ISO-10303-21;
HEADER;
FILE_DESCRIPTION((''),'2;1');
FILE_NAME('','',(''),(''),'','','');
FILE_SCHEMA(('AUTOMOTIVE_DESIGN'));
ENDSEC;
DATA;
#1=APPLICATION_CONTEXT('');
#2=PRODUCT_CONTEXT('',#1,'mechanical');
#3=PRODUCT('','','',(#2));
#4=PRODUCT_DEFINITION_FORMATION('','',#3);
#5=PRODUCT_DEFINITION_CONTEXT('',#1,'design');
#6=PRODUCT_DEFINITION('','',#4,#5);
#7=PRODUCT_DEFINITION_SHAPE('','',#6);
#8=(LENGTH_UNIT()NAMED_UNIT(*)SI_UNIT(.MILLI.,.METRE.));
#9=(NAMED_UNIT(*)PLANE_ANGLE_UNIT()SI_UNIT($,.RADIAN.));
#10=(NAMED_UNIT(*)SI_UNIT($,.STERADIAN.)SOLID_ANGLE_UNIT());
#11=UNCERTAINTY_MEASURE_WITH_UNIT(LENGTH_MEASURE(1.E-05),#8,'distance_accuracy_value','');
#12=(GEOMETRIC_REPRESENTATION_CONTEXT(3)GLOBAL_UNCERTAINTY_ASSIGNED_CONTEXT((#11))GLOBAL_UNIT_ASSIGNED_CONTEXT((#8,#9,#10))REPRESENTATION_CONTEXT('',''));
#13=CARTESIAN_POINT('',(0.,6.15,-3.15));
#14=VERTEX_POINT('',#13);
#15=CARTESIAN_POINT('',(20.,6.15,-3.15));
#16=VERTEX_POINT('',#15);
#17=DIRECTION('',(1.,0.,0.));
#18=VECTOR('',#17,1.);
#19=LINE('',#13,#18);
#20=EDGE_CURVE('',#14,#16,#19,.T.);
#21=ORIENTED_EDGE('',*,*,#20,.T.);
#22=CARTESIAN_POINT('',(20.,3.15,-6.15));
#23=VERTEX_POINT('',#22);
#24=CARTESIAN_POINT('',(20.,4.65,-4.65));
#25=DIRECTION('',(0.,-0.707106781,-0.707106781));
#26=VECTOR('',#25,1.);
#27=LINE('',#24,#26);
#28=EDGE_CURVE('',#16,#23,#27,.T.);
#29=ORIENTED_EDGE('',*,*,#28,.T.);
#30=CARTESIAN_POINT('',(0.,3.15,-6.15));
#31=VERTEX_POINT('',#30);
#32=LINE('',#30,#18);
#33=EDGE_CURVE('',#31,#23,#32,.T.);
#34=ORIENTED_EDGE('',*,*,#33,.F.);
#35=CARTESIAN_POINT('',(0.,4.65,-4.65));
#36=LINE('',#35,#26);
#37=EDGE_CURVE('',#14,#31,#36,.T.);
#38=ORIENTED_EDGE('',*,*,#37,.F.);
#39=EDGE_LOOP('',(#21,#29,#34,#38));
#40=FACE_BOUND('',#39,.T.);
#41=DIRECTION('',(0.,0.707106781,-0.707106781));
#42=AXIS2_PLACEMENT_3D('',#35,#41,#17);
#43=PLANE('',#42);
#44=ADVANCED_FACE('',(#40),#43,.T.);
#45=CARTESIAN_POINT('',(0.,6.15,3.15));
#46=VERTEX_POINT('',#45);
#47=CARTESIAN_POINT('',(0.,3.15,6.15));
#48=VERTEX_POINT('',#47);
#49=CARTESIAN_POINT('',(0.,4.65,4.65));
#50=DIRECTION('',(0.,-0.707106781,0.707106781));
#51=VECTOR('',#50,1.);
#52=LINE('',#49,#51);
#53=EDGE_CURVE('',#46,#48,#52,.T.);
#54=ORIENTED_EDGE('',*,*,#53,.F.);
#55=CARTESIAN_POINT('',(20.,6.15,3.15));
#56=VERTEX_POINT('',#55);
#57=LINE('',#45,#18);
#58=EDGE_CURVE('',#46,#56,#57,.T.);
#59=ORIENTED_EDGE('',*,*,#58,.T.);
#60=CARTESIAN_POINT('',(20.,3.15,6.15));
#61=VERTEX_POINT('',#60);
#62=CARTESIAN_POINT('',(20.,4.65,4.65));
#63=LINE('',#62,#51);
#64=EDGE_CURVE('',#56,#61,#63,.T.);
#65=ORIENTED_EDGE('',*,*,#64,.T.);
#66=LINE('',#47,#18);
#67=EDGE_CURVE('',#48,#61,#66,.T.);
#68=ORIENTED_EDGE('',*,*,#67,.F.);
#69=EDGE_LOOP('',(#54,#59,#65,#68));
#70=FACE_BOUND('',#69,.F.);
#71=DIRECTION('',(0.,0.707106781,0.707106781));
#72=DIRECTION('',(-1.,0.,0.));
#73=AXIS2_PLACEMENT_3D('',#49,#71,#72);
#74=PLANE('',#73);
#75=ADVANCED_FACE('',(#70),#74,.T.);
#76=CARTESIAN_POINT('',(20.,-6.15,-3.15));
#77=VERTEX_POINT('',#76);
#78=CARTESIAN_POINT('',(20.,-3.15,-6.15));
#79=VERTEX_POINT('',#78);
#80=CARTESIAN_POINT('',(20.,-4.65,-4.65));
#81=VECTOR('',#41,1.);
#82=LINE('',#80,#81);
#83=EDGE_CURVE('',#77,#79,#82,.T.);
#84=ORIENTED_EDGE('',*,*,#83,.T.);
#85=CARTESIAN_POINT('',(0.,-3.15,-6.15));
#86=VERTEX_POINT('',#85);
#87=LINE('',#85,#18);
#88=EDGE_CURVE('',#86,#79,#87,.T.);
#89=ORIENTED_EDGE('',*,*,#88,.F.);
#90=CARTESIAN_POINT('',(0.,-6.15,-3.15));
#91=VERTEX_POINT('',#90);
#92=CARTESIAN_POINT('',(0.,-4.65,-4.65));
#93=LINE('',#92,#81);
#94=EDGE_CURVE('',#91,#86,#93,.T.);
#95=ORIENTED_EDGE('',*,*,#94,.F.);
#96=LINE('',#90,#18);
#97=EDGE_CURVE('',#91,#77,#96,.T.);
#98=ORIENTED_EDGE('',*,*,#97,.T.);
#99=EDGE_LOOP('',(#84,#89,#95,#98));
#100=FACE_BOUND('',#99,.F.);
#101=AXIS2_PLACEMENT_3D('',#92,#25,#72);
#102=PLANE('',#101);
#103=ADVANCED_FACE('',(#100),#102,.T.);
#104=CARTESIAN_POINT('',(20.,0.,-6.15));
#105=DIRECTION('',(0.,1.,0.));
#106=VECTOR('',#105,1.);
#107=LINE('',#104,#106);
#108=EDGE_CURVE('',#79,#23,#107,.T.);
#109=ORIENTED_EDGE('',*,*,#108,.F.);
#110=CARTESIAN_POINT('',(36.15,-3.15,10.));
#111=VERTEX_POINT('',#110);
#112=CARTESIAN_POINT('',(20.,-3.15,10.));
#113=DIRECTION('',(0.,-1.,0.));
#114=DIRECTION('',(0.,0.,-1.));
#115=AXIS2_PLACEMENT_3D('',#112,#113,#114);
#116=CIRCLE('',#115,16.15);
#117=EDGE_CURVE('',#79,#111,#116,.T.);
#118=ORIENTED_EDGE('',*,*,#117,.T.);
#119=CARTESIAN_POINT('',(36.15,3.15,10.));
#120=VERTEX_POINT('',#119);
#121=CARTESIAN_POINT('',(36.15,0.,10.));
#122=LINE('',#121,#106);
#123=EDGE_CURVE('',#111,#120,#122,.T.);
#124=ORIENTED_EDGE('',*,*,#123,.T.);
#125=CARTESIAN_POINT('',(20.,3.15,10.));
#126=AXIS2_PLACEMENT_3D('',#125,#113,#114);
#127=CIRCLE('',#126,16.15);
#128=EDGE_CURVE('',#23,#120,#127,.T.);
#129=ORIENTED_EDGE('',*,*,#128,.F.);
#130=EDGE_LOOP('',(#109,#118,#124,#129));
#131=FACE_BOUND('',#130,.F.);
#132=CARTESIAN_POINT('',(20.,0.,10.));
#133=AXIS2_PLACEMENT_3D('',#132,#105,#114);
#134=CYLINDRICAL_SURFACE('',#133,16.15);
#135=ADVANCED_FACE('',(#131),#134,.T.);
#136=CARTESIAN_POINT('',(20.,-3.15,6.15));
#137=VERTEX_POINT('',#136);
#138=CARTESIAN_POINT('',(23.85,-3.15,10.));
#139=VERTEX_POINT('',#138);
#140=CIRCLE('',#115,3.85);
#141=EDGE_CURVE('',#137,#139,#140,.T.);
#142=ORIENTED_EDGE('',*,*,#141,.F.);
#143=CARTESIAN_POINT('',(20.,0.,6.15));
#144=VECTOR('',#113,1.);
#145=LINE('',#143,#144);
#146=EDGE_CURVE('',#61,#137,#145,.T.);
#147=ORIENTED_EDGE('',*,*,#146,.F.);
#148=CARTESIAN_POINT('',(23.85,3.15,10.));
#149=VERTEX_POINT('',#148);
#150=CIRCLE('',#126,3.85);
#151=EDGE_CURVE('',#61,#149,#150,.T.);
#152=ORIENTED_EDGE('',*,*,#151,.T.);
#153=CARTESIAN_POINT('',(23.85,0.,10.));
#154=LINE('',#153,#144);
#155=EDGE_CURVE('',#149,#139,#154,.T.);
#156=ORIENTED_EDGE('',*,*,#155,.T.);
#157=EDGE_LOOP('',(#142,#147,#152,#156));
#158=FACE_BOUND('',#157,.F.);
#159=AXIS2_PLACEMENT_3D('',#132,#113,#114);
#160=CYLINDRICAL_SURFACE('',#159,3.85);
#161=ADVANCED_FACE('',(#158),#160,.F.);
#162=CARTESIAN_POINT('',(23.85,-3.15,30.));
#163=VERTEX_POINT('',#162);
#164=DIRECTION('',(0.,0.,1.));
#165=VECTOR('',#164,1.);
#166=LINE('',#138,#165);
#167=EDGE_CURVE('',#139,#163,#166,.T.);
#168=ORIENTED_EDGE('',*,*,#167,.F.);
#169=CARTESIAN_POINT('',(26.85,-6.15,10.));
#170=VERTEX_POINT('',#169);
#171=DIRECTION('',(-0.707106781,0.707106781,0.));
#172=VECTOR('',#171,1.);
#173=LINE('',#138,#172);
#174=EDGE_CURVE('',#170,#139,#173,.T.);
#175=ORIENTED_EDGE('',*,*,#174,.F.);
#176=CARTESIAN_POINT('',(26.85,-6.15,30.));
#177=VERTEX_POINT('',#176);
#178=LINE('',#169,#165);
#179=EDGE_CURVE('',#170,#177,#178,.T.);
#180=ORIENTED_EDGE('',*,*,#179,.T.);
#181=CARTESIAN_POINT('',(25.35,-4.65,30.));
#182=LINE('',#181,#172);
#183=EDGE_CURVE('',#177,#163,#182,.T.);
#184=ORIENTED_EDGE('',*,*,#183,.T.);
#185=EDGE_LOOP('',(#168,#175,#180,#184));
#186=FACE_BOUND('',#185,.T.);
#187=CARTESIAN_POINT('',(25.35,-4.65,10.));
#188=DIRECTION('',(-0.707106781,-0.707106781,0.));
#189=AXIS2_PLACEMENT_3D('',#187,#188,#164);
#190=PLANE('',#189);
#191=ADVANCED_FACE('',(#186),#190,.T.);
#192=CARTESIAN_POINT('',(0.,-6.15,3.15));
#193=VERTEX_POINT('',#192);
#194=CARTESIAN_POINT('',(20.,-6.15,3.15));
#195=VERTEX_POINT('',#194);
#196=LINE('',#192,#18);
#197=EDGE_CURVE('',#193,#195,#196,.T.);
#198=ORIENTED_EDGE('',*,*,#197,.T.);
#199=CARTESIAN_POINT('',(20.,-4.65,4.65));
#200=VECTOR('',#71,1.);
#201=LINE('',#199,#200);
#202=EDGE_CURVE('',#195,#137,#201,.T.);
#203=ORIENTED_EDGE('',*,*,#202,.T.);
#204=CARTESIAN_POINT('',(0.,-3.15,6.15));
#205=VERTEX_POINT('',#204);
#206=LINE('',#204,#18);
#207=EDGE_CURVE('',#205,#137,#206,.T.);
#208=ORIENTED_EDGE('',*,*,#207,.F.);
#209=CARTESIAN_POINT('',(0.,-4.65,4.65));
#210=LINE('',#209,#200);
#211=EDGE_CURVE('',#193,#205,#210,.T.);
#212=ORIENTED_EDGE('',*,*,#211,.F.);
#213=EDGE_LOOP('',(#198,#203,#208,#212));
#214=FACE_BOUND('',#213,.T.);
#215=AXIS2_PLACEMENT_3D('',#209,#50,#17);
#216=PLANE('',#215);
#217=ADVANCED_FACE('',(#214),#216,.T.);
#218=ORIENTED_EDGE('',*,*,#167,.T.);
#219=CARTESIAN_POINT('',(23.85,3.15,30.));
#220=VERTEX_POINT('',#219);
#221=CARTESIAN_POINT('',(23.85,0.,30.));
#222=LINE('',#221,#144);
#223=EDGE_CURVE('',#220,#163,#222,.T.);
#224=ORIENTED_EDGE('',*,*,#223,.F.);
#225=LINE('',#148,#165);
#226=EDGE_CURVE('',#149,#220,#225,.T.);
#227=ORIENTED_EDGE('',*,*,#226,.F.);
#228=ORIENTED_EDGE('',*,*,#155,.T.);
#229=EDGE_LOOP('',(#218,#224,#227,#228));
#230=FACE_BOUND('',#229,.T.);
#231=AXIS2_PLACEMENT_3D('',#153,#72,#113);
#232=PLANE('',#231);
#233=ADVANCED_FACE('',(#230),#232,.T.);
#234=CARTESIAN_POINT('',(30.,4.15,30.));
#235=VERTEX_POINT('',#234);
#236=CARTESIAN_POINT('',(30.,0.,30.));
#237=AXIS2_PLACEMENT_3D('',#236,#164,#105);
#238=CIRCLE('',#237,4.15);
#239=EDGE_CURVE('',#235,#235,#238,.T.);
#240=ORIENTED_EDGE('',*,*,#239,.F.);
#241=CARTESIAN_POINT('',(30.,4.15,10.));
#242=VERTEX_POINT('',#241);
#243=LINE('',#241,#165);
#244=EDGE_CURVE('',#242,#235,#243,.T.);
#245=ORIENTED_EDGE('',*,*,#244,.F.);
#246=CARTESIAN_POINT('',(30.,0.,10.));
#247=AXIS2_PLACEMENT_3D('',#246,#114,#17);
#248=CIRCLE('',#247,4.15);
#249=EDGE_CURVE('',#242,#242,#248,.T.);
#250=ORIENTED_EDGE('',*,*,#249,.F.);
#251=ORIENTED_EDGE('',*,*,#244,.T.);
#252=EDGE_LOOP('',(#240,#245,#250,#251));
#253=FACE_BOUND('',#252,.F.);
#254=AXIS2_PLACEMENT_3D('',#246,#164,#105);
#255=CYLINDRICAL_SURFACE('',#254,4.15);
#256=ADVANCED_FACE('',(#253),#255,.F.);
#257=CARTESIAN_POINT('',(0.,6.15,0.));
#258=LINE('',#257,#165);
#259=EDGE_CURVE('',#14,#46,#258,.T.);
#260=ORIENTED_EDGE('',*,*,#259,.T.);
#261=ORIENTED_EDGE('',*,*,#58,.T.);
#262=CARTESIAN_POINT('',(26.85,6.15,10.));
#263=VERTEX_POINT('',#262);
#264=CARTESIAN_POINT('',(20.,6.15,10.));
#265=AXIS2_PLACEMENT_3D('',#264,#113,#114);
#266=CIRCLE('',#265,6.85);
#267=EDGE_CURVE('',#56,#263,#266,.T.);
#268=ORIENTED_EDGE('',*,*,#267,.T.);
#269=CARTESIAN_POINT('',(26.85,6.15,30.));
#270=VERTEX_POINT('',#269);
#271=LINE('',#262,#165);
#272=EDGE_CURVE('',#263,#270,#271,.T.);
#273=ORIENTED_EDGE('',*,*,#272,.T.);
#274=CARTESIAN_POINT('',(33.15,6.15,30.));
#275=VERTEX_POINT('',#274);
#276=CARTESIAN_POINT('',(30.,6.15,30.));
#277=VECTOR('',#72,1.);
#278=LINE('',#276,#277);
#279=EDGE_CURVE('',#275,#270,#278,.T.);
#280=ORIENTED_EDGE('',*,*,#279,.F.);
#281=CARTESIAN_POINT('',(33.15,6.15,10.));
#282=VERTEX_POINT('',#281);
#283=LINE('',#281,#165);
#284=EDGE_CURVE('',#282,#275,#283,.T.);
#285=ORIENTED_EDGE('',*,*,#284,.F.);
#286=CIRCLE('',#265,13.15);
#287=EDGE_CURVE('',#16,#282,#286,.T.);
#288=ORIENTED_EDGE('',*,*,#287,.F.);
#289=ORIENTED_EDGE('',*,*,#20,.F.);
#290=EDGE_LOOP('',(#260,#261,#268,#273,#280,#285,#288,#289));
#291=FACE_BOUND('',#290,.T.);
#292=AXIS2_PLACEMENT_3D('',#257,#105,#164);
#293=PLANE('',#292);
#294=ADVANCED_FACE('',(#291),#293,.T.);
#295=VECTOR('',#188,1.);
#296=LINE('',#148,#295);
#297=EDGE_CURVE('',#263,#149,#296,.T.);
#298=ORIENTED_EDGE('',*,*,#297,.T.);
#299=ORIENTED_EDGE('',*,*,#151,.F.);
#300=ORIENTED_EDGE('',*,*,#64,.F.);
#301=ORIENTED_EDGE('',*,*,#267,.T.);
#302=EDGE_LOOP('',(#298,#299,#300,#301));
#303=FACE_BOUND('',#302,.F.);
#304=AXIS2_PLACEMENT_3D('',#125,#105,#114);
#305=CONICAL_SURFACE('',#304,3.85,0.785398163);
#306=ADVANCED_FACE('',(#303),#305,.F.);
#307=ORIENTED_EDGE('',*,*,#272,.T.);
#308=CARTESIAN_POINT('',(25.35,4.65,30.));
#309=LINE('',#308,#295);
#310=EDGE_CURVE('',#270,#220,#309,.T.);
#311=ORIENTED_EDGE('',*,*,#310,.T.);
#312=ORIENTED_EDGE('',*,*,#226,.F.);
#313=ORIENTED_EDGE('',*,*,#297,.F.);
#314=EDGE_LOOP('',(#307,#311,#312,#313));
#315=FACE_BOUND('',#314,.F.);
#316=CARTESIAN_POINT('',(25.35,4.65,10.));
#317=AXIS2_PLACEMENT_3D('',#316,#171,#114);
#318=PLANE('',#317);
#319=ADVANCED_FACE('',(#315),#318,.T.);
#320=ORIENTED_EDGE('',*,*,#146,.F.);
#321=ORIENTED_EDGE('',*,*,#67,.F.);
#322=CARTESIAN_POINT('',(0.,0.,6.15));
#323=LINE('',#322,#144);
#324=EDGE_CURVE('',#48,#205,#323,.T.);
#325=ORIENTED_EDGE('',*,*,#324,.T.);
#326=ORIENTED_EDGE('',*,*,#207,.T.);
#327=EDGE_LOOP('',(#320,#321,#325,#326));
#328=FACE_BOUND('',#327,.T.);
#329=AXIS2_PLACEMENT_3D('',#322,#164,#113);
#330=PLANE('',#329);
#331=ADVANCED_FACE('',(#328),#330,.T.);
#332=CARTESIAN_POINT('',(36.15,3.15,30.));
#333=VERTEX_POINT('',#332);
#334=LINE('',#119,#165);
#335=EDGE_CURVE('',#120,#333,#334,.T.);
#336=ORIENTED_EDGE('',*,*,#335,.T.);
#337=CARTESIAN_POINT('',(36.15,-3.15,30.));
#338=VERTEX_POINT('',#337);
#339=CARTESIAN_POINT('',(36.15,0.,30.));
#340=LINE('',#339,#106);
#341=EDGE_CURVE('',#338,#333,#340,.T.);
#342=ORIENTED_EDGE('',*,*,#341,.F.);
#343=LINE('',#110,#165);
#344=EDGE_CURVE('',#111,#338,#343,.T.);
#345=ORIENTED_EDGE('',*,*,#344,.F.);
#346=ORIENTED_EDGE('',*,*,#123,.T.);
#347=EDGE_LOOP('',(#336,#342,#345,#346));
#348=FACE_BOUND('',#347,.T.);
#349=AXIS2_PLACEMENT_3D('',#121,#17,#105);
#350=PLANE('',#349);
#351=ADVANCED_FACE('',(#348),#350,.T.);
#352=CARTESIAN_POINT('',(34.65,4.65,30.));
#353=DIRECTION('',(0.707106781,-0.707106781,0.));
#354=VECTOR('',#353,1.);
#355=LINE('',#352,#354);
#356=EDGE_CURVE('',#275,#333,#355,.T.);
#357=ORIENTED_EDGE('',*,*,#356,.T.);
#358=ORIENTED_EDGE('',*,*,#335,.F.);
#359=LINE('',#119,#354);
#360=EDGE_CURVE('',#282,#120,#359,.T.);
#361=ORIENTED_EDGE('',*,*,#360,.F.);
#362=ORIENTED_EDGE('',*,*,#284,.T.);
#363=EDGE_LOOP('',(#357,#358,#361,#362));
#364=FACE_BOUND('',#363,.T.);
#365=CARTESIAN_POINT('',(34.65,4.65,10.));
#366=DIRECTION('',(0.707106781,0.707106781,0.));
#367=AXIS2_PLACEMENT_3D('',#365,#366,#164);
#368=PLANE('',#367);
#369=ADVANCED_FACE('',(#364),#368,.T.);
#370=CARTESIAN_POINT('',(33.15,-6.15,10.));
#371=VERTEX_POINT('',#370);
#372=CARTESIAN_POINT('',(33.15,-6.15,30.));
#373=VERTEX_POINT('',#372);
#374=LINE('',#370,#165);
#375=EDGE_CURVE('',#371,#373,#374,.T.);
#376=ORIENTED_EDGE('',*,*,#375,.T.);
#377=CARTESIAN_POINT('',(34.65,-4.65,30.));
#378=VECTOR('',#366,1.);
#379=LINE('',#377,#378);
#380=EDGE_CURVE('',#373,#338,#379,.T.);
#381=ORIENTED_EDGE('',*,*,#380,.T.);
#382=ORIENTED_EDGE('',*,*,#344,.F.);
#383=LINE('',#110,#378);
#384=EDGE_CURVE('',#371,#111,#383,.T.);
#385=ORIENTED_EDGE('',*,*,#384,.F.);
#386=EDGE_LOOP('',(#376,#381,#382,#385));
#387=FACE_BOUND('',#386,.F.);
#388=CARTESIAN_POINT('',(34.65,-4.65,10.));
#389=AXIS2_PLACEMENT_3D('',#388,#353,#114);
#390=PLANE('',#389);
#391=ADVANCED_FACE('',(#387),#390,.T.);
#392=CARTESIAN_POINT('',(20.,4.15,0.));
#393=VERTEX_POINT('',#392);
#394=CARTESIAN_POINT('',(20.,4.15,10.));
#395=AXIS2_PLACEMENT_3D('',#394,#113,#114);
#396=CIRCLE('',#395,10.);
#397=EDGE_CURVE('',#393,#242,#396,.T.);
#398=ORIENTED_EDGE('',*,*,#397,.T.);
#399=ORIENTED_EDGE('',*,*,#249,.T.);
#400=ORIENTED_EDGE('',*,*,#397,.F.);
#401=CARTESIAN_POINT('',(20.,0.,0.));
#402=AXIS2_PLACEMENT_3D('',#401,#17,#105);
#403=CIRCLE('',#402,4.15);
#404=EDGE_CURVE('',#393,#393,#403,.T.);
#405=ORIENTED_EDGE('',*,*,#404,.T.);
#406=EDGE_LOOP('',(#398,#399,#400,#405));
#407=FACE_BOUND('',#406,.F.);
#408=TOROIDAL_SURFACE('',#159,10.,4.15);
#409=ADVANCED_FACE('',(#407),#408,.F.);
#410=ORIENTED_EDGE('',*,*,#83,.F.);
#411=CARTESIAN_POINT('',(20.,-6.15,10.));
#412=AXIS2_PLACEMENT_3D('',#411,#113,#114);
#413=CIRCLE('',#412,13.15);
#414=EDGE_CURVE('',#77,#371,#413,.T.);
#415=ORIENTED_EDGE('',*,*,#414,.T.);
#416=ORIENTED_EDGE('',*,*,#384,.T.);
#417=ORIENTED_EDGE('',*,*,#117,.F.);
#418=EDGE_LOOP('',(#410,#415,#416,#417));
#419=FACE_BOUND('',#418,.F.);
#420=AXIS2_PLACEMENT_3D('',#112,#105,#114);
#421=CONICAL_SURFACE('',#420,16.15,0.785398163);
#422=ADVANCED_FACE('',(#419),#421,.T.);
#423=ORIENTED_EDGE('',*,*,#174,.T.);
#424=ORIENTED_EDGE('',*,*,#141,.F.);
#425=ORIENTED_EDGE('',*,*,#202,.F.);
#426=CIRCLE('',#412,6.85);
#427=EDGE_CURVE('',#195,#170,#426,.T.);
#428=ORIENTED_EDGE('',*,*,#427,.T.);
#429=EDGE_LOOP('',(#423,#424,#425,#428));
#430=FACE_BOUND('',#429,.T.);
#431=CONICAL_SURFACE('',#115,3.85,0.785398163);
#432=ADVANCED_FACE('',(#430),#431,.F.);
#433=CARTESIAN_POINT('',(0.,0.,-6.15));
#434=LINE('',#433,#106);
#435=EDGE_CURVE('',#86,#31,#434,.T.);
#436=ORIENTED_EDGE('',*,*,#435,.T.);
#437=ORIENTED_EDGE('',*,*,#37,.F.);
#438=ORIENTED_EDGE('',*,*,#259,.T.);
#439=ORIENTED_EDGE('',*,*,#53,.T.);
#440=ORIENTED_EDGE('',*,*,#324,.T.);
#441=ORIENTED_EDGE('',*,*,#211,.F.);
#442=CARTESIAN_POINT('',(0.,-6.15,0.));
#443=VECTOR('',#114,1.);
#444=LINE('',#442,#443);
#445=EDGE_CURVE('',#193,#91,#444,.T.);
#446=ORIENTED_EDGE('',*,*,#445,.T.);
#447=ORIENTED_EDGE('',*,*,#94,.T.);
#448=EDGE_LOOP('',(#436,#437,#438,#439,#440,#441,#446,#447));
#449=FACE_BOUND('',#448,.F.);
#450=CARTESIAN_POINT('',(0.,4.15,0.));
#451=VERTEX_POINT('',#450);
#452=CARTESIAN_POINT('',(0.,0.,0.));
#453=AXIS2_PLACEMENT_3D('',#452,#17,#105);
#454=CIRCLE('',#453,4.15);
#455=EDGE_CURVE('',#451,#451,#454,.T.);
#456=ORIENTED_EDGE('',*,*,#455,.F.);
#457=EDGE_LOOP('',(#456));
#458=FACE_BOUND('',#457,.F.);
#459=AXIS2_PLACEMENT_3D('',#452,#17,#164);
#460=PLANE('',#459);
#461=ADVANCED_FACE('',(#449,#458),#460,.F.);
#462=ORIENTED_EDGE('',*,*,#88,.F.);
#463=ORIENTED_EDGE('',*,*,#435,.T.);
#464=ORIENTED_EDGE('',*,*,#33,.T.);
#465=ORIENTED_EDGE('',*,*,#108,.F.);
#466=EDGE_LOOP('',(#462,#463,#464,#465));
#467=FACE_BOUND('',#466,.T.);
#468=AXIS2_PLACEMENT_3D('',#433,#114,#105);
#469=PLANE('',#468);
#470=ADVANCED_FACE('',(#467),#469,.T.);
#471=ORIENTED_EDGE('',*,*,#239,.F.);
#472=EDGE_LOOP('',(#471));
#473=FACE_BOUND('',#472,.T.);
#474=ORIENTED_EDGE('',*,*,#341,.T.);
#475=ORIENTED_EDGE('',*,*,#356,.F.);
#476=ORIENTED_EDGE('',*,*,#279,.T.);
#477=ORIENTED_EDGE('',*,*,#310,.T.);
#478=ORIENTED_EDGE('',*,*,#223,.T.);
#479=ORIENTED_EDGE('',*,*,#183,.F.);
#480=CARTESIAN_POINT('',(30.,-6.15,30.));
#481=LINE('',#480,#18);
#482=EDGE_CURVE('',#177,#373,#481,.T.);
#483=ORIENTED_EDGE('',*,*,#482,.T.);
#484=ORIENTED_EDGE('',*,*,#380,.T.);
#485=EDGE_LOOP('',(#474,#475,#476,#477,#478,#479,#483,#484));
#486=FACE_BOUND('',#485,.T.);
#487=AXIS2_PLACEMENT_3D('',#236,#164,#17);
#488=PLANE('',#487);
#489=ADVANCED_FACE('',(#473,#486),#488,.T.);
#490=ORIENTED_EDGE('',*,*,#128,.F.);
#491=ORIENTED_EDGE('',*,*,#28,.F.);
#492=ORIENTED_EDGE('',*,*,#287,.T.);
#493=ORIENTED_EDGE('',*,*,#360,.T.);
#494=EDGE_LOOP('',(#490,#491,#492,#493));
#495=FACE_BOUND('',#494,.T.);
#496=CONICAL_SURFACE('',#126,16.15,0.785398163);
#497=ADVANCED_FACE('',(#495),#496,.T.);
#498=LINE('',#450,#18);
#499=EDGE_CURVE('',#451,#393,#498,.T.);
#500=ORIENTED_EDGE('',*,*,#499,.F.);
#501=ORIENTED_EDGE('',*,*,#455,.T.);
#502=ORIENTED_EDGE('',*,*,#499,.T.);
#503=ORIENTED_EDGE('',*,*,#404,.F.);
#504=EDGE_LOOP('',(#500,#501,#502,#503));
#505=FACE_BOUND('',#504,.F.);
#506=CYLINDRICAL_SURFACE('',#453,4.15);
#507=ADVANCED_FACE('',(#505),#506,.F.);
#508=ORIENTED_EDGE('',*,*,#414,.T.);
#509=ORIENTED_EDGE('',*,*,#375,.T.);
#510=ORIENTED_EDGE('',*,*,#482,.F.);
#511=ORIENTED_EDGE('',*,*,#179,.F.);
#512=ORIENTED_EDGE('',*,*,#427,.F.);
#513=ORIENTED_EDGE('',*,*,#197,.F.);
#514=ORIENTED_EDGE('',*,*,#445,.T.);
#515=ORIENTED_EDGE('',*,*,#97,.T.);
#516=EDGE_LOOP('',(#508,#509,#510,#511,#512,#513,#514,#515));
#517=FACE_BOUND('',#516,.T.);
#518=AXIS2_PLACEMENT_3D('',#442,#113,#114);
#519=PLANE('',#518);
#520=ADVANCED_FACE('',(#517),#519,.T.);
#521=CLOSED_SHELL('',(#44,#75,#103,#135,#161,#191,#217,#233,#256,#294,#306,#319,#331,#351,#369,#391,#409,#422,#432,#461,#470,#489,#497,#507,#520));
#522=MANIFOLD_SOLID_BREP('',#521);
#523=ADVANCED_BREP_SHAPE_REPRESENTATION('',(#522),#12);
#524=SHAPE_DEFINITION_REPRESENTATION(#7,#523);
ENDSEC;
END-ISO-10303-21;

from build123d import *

# Parameters (mm, degrees)
F1_W    = 12.3
F1_H    = 12.3
F1_R    = 4.15
F3_SIZE = 3


with BuildPart() as f2:
    # F2: sweep along a path in F0
    with BuildLine(Plane.XZ) as f2_path:
        Line((0, 0), (20, 0))
        ThreePointArc((20, 0), (27.0710678119, 2.9289321881), (30, 10))
        Line((30, 10), (30, 30))
    # F1 (on Right) → F2 (sweep)
    with BuildSketch(Plane.YZ):
        Rectangle(F1_W, F1_H)
        Circle(F1_R, mode=Mode.SUBTRACT)
    sweep(path=f2_path.line)

    # F3
    f3_edges = [f2.edges().sort_by_distance(p)[0] for p in [
        (23.85, -6.15, 20),
        (36.15, -6.15, 20),
        (36.15, 6.15, 20),
        (23.85, 6.15, 20),
    ]]
    chamfer(f3_edges, length=F3_SIZE)


solid = f2.part
